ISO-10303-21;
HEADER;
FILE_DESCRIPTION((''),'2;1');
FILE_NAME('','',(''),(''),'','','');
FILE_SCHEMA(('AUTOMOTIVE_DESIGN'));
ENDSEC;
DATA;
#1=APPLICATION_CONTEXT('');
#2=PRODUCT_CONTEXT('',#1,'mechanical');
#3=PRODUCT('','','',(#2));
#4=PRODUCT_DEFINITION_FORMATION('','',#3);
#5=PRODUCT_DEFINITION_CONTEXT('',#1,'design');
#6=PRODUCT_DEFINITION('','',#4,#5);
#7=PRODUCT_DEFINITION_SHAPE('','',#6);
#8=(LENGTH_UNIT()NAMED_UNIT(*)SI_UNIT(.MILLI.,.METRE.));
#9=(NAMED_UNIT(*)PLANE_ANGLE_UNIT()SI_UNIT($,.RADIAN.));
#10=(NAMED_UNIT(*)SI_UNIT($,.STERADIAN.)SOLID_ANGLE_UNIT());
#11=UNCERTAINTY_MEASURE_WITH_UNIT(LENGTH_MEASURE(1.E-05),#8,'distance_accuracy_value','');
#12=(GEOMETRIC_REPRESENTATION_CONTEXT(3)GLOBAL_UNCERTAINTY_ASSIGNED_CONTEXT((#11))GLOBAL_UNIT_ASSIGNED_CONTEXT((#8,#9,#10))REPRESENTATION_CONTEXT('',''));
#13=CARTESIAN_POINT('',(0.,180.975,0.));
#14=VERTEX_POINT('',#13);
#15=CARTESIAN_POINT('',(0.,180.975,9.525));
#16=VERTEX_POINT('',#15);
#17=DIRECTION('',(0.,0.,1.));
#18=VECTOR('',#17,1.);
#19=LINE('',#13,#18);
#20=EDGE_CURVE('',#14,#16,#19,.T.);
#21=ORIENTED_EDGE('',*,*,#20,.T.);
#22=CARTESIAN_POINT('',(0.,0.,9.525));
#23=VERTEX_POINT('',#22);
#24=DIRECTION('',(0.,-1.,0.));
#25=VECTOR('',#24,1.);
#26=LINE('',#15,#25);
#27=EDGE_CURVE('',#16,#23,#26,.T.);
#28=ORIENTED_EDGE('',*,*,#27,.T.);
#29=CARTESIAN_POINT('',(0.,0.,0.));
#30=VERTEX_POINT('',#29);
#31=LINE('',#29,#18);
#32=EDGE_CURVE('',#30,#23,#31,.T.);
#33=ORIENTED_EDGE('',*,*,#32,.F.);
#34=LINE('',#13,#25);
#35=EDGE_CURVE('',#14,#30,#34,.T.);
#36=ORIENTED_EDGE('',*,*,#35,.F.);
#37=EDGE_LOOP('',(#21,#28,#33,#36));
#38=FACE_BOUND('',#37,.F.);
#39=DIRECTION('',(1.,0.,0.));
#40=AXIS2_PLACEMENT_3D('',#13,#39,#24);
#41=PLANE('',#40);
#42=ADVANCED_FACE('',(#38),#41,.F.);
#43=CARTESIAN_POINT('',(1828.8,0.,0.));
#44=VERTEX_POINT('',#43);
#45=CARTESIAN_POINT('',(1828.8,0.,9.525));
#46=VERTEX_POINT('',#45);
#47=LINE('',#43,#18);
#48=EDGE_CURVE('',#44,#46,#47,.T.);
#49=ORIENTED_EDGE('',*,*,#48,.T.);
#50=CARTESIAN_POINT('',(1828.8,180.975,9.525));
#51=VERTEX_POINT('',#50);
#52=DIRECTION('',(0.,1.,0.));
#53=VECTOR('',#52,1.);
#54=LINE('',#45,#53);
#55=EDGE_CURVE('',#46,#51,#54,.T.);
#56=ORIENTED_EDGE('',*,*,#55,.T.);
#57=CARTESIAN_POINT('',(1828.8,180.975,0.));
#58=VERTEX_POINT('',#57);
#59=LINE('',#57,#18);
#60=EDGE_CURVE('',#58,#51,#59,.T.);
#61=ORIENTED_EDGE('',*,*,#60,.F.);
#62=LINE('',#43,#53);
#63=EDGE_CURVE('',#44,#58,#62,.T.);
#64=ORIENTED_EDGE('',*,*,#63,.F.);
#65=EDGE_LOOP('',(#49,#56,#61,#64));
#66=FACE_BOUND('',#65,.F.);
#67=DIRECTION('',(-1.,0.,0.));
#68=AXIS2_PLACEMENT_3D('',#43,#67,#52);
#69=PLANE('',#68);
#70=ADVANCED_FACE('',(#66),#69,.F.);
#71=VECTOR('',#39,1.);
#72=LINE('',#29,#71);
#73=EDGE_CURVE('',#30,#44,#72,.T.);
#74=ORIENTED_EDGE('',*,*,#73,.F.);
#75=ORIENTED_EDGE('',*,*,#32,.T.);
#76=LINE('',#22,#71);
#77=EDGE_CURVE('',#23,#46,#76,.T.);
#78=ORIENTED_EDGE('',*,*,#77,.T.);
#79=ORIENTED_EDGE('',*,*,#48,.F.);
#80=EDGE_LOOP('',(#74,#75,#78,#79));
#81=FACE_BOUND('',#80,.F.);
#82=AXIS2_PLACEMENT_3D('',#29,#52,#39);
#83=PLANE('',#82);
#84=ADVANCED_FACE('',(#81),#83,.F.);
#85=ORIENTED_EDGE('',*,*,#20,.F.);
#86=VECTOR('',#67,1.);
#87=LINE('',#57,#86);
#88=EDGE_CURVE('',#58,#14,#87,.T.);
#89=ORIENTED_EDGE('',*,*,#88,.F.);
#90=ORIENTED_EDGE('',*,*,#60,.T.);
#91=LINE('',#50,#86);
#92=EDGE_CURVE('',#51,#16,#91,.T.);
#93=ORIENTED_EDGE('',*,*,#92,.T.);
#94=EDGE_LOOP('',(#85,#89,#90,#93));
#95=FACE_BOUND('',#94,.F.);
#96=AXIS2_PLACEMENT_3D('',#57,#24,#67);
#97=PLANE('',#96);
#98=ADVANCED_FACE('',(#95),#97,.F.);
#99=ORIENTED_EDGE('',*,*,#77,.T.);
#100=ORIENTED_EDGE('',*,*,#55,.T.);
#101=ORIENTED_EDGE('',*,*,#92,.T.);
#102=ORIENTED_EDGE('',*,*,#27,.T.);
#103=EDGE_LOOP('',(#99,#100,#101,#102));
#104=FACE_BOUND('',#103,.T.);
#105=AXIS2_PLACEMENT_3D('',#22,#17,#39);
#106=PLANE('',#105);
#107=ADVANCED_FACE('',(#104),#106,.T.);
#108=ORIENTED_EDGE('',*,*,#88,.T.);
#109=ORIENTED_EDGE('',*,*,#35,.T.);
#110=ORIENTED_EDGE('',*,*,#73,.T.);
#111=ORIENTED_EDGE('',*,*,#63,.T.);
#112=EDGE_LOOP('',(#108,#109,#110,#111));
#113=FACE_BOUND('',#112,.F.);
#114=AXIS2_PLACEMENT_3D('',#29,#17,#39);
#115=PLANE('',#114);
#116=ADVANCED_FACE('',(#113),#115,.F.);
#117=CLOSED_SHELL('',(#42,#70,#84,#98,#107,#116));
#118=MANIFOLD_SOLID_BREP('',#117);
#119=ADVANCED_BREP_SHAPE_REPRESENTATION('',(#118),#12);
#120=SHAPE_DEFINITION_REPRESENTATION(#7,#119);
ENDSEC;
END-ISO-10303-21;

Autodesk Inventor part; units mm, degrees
ref_plane "YZ Plane" through (0, 0, 0) normal (1, 0, 0) x (0, 1, 0)
ref_plane "XZ Plane" through (0, 0, 0) normal (0, 1, 0) x (-1, 0, 0)
ref_plane "XY Plane" through (0, 0, 0) normal (0, 0, 1) x (1, 0, 0)
sketch "Sketch1" plane through (0, 0, 0) normal (0, 0, 1) x (1, 0, 0)
  line L0 (0, 0) -> (1828.8, 0)
  line L1 (1828.8, 0) -> (1828.8, 180.975)
  line L2 (1828.8, 180.975) -> (0, 180.975)
  line L3 (0, 180.975) -> (0, 0)
  dimension "d0" = 1828.8
  dimension "d1" = 180.975
extrude "Extrusion1" add sketch "Sketch1" along normal blind 9.525
properties part number "Plywood Ramp 375"
